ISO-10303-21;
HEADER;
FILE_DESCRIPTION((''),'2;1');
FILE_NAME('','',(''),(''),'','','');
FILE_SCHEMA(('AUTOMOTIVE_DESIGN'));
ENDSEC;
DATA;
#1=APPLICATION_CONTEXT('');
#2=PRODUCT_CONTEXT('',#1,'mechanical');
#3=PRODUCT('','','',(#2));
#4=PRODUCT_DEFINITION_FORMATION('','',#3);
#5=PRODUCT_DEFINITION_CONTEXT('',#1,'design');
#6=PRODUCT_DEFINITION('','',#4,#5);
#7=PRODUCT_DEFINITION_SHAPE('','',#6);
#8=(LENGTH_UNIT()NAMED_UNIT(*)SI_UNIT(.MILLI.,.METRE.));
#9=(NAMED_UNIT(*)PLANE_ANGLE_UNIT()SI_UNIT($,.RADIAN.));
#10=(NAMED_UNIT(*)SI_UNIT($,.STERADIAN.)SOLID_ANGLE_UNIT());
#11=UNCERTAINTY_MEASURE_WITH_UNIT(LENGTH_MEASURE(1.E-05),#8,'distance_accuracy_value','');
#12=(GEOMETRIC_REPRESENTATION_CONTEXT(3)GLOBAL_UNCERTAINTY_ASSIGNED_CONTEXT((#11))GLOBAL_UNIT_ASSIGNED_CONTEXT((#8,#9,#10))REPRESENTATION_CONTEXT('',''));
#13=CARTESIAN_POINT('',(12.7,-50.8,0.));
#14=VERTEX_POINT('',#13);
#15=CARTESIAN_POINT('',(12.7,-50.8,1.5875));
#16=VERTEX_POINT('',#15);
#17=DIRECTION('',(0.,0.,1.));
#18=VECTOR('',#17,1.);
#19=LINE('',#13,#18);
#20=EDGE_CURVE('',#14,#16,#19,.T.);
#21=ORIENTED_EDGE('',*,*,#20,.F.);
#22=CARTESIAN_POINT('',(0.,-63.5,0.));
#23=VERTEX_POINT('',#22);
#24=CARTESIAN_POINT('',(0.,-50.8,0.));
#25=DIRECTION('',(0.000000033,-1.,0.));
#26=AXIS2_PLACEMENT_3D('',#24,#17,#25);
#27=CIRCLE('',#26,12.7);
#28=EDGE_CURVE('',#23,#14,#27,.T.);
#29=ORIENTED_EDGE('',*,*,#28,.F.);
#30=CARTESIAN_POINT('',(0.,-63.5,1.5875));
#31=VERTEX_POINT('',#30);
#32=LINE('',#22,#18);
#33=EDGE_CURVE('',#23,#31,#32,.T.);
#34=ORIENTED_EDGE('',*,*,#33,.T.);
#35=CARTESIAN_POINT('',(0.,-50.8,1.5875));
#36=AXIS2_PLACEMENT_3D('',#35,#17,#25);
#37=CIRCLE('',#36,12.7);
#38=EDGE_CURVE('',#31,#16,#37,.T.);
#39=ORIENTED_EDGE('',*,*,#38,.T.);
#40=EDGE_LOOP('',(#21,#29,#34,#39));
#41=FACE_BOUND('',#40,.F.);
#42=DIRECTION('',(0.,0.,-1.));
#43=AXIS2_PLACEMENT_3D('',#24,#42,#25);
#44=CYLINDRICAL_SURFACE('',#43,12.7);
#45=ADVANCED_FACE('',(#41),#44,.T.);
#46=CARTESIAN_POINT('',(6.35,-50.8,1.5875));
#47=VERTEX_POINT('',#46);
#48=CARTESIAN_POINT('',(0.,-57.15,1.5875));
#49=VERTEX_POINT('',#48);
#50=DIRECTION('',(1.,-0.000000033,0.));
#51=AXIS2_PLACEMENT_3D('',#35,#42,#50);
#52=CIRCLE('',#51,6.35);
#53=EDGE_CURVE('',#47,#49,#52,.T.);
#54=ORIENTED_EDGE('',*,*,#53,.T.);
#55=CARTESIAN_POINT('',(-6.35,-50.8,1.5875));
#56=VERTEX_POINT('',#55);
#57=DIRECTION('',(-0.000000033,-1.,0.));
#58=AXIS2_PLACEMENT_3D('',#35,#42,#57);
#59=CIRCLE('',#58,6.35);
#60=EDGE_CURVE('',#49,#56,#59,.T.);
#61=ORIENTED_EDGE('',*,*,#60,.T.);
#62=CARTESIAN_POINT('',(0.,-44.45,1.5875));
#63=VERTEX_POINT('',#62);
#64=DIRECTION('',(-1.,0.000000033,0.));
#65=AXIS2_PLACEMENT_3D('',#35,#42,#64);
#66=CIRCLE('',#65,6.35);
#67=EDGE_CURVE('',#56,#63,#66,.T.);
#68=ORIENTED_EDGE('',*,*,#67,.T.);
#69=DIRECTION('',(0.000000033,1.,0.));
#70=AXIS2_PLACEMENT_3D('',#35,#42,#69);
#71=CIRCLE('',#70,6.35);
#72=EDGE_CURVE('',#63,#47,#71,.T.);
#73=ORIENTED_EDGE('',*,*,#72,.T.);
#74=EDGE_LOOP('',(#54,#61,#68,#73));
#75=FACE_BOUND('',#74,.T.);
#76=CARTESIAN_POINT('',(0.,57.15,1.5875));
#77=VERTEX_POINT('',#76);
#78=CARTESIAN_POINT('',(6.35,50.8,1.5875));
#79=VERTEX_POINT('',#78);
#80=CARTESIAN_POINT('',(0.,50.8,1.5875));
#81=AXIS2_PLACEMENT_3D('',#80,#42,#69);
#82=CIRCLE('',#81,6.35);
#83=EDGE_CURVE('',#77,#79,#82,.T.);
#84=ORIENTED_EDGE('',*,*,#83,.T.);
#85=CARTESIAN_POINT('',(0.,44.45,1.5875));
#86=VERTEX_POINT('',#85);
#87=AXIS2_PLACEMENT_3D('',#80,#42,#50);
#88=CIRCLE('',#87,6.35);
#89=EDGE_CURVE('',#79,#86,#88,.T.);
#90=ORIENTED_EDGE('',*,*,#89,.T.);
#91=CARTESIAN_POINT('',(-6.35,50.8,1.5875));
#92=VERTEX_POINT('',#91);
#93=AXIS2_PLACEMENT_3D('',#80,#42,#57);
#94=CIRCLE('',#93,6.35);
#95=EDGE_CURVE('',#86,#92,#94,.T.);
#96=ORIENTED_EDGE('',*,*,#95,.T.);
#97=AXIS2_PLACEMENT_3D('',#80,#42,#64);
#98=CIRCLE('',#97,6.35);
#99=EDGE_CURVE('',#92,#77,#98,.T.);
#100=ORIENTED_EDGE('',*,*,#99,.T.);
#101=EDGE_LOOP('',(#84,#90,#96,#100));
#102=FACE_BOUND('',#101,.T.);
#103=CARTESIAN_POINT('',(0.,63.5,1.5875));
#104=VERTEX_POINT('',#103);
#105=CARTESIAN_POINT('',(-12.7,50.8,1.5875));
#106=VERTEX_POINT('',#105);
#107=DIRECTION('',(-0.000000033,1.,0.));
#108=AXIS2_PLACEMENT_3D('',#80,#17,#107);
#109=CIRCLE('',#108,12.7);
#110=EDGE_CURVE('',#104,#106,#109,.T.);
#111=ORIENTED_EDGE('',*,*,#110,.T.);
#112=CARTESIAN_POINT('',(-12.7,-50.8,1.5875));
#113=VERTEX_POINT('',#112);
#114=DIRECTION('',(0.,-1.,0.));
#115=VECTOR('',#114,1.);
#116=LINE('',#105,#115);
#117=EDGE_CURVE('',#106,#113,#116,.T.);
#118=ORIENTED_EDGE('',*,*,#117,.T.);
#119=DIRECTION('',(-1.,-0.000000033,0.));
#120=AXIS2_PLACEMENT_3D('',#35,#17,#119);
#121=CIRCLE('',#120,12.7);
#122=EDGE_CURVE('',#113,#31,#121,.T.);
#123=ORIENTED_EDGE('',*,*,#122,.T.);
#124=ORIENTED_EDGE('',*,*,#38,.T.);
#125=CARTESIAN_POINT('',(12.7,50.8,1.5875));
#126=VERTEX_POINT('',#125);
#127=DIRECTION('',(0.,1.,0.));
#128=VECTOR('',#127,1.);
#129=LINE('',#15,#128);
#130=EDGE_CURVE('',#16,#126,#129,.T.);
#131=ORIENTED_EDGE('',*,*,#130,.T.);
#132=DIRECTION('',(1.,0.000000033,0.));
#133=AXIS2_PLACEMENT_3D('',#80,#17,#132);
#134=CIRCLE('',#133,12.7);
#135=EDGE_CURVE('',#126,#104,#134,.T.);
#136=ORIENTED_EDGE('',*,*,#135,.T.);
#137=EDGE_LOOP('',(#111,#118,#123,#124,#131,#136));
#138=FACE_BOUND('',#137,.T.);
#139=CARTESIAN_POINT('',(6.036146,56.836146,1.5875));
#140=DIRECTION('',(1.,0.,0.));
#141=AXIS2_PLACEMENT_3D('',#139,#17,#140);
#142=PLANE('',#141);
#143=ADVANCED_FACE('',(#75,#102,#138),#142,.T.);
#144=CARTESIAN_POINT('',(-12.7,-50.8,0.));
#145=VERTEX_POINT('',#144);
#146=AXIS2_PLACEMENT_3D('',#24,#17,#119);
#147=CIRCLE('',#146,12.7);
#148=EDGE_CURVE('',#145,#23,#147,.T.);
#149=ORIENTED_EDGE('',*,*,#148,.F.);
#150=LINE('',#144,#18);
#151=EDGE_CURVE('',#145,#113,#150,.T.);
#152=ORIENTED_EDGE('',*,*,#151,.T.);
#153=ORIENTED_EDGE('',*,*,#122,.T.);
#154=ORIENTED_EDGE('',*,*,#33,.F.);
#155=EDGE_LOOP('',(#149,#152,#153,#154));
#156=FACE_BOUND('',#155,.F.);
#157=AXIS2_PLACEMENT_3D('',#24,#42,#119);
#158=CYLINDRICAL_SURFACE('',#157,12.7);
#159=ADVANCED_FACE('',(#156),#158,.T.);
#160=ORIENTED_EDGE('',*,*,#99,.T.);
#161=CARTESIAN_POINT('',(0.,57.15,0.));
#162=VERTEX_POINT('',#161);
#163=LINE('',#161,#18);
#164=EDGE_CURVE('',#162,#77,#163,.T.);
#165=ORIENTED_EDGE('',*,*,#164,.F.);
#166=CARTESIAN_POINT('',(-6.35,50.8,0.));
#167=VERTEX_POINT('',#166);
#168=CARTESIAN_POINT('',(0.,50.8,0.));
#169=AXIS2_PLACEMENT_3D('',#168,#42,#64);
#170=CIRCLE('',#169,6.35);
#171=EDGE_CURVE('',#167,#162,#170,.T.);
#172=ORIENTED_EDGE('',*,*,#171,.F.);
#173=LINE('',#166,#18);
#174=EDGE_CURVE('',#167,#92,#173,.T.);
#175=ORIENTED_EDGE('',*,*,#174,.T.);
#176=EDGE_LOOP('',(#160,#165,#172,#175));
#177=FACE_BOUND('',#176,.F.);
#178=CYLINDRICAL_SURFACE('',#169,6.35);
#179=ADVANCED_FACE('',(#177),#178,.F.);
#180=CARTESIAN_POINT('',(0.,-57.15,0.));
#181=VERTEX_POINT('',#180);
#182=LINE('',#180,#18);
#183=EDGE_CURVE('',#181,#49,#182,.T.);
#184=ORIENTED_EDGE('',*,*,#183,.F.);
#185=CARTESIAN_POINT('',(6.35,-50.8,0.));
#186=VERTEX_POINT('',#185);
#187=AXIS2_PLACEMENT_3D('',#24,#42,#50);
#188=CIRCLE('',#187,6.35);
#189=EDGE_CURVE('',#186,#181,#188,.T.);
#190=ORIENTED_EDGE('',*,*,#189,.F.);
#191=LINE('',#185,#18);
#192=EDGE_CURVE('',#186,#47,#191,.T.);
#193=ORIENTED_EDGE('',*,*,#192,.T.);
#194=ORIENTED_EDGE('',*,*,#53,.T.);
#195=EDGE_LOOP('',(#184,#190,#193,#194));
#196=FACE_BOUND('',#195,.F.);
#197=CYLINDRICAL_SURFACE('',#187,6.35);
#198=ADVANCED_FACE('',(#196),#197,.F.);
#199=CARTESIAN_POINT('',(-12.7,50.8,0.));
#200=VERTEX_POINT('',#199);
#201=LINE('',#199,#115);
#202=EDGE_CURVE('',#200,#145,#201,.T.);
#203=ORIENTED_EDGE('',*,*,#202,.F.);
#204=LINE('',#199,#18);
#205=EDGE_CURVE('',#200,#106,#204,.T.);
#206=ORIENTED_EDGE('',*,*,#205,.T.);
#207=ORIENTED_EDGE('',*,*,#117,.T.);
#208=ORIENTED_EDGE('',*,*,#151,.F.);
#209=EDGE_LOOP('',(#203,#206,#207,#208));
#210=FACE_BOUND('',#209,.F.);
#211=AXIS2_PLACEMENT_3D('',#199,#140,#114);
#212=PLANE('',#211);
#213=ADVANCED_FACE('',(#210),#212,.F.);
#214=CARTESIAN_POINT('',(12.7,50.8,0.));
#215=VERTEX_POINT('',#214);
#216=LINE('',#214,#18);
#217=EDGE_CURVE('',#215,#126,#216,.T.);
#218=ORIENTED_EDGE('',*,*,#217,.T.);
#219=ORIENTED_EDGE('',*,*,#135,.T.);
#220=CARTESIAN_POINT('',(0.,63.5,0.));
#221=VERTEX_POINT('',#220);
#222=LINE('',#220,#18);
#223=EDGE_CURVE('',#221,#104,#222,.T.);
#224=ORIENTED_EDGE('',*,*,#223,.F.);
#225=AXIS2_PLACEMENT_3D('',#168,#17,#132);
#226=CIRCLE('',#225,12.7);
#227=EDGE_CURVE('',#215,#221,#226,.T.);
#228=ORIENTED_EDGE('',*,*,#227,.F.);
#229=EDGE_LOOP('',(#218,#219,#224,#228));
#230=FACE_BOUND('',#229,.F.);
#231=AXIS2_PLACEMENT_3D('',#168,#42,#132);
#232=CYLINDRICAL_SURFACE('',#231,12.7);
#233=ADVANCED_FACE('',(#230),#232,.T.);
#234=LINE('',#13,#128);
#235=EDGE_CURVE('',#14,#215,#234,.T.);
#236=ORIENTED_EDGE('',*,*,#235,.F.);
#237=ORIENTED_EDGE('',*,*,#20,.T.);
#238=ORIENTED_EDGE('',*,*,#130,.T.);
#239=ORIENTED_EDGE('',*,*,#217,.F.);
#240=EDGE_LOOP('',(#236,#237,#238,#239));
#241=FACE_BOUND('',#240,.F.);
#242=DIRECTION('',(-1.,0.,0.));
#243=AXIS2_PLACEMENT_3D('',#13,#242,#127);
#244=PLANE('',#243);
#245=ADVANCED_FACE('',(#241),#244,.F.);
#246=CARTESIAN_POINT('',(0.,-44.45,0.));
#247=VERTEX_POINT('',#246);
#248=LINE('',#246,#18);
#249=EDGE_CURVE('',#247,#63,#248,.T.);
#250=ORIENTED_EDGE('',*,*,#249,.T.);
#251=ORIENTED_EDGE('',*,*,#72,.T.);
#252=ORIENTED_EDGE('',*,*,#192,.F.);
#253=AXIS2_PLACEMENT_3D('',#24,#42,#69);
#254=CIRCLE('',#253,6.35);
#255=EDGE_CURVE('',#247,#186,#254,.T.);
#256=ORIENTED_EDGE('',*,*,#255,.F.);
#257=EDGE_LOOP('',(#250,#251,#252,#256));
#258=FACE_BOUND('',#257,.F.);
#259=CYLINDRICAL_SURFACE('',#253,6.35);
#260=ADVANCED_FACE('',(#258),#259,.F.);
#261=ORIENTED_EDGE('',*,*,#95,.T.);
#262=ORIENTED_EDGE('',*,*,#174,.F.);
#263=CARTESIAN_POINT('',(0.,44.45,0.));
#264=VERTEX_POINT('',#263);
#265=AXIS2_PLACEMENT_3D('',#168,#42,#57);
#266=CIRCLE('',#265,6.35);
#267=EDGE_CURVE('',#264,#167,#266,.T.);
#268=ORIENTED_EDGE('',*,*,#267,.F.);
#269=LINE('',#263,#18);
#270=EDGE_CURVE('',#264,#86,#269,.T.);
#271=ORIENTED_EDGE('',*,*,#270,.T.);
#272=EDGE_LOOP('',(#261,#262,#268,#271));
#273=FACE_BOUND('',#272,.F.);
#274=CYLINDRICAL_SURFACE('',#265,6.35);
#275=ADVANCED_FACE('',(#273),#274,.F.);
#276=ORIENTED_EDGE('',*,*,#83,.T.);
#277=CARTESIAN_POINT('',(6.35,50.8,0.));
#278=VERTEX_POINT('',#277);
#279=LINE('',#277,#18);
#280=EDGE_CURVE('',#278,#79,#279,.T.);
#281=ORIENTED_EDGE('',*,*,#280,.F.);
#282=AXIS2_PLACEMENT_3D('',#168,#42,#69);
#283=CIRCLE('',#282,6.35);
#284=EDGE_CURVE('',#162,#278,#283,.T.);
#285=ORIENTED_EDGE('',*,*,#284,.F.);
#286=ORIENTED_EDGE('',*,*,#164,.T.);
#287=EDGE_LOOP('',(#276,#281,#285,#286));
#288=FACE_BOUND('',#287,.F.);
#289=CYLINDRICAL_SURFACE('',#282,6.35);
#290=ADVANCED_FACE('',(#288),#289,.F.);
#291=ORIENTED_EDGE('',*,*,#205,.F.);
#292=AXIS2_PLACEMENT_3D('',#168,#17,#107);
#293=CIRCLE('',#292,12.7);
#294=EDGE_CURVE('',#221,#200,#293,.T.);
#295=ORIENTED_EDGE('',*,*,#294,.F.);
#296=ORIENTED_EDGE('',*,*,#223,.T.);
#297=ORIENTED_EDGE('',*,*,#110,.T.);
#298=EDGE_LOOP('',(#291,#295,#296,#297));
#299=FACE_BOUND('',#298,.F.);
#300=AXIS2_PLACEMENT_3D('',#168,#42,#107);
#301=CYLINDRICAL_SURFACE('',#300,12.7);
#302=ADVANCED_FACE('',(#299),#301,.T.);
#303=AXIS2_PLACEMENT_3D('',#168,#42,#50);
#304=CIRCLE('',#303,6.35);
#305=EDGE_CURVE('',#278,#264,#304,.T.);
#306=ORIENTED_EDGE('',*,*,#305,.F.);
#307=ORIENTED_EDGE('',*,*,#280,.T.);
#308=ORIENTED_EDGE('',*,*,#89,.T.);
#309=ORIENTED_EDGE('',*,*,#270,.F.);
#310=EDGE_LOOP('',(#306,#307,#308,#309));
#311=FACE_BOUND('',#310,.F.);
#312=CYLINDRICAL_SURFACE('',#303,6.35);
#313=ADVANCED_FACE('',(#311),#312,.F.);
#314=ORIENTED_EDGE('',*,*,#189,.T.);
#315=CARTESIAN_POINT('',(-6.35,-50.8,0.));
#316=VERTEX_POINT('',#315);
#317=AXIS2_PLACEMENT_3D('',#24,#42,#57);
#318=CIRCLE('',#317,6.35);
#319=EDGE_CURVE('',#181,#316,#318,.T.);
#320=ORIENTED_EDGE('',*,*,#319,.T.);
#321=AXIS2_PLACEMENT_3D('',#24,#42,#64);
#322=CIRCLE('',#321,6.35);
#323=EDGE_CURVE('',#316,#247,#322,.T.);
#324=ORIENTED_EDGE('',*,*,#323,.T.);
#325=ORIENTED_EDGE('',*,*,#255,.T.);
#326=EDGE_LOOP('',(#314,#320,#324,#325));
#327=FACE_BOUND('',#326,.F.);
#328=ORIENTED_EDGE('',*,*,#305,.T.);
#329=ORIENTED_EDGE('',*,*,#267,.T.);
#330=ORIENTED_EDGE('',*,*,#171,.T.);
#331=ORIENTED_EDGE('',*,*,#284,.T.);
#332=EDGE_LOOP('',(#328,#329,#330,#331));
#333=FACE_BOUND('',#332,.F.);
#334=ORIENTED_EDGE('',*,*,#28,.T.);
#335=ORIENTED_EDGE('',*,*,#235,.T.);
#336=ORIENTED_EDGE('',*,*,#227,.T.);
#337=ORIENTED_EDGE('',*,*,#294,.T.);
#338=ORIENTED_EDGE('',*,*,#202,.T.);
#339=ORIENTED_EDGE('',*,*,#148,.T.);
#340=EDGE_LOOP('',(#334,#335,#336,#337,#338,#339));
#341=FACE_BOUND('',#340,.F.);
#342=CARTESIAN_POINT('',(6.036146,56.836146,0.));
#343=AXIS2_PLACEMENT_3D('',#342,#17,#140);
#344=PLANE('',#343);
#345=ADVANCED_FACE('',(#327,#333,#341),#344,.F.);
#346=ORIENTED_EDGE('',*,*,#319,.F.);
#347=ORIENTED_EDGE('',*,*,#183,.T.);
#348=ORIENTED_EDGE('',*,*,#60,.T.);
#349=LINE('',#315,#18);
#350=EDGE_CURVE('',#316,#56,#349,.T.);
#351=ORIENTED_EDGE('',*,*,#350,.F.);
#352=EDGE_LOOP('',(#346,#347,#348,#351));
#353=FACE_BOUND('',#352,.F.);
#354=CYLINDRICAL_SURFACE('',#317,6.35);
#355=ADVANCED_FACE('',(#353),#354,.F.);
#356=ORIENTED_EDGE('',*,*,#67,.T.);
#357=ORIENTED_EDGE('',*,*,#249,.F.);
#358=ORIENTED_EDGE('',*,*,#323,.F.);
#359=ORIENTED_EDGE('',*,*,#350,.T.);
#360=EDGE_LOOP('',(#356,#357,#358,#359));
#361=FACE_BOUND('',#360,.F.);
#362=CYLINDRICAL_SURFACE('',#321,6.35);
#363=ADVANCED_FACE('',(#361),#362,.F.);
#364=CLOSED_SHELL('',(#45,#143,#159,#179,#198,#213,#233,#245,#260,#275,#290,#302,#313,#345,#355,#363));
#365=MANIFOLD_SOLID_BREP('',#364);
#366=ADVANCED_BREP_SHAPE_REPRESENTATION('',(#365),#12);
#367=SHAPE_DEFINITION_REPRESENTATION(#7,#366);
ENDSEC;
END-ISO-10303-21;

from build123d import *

# Parameters (mm, degrees)
F1_DEPTH = 1.5875


with BuildPart() as f1:
    # F0 (on Top) → F1 (new body)
    with BuildSketch(Plane.XY):
        with BuildLine():
            ThreePointArc((0, 57.15), (4.490128, 55.290128), (6.35, 50.8))
            Line((6.35, 50.8), (12.7, 50.8))
            ThreePointArc((12.7, 50.8), (8.980256, 59.780256), (0, 63.5))
            Line((0, 63.5), (0, 57.15))
        make_face()
        with BuildLine():
            Line((12.7, 50.8), (6.35, 50.8))
            ThreePointArc((6.35, 50.8), (4.490128, 46.309872), (0, 44.45))
            Line((0, 44.45), (0, -44.45))
            ThreePointArc((0, -44.45), (4.490128, -46.309872), (6.35, -50.8))
            Line((6.35, -50.8), (12.7, -50.8))
            Line((12.7, -50.8), (12.7, 50.8))
        make_face()
        with BuildLine():
            ThreePointArc((-6.35, 50.8), (-4.490128, 55.290128), (0, 57.15))
            Line((0, 57.15), (0, 63.5))
            ThreePointArc((0, 63.5), (-8.980256, 59.780256), (-12.7, 50.8))
            Line((-12.7, 50.8), (-6.35, 50.8))
        make_face()
        with BuildLine():
            Line((0, -44.45), (0, 44.45))
            ThreePointArc((0, 44.45), (-4.490128, 46.309872), (-6.35, 50.8))
            Line((-6.35, 50.8), (-12.7, 50.8))
            Line((-12.7, 50.8), (-12.7, -50.8))
            Line((-12.7, -50.8), (-6.35, -50.8))
            ThreePointArc((-6.35, -50.8), (-4.490128, -46.309872), (0, -44.45))
        make_face()
        with BuildLine():
            ThreePointArc((0, -63.5), (8.980256, -59.780256), (12.7, -50.8))
            Line((12.7, -50.8), (6.35, -50.8))
            ThreePointArc((6.35, -50.8), (4.490128, -55.290128), (0, -57.15))
            Line((0, -57.15), (0, -63.5))
        make_face()
        with BuildLine():
            ThreePointArc((-12.7, -50.8), (-8.980256, -59.780256), (0, -63.5))
            Line((0, -63.5), (0, -57.15))
            ThreePointArc((0, -57.15), (-4.490128, -55.290128), (-6.35, -50.8))
            Line((-6.35, -50.8), (-12.7, -50.8))
        make_face()
    extrude(amount=F1_DEPTH)


solid = f1.part
